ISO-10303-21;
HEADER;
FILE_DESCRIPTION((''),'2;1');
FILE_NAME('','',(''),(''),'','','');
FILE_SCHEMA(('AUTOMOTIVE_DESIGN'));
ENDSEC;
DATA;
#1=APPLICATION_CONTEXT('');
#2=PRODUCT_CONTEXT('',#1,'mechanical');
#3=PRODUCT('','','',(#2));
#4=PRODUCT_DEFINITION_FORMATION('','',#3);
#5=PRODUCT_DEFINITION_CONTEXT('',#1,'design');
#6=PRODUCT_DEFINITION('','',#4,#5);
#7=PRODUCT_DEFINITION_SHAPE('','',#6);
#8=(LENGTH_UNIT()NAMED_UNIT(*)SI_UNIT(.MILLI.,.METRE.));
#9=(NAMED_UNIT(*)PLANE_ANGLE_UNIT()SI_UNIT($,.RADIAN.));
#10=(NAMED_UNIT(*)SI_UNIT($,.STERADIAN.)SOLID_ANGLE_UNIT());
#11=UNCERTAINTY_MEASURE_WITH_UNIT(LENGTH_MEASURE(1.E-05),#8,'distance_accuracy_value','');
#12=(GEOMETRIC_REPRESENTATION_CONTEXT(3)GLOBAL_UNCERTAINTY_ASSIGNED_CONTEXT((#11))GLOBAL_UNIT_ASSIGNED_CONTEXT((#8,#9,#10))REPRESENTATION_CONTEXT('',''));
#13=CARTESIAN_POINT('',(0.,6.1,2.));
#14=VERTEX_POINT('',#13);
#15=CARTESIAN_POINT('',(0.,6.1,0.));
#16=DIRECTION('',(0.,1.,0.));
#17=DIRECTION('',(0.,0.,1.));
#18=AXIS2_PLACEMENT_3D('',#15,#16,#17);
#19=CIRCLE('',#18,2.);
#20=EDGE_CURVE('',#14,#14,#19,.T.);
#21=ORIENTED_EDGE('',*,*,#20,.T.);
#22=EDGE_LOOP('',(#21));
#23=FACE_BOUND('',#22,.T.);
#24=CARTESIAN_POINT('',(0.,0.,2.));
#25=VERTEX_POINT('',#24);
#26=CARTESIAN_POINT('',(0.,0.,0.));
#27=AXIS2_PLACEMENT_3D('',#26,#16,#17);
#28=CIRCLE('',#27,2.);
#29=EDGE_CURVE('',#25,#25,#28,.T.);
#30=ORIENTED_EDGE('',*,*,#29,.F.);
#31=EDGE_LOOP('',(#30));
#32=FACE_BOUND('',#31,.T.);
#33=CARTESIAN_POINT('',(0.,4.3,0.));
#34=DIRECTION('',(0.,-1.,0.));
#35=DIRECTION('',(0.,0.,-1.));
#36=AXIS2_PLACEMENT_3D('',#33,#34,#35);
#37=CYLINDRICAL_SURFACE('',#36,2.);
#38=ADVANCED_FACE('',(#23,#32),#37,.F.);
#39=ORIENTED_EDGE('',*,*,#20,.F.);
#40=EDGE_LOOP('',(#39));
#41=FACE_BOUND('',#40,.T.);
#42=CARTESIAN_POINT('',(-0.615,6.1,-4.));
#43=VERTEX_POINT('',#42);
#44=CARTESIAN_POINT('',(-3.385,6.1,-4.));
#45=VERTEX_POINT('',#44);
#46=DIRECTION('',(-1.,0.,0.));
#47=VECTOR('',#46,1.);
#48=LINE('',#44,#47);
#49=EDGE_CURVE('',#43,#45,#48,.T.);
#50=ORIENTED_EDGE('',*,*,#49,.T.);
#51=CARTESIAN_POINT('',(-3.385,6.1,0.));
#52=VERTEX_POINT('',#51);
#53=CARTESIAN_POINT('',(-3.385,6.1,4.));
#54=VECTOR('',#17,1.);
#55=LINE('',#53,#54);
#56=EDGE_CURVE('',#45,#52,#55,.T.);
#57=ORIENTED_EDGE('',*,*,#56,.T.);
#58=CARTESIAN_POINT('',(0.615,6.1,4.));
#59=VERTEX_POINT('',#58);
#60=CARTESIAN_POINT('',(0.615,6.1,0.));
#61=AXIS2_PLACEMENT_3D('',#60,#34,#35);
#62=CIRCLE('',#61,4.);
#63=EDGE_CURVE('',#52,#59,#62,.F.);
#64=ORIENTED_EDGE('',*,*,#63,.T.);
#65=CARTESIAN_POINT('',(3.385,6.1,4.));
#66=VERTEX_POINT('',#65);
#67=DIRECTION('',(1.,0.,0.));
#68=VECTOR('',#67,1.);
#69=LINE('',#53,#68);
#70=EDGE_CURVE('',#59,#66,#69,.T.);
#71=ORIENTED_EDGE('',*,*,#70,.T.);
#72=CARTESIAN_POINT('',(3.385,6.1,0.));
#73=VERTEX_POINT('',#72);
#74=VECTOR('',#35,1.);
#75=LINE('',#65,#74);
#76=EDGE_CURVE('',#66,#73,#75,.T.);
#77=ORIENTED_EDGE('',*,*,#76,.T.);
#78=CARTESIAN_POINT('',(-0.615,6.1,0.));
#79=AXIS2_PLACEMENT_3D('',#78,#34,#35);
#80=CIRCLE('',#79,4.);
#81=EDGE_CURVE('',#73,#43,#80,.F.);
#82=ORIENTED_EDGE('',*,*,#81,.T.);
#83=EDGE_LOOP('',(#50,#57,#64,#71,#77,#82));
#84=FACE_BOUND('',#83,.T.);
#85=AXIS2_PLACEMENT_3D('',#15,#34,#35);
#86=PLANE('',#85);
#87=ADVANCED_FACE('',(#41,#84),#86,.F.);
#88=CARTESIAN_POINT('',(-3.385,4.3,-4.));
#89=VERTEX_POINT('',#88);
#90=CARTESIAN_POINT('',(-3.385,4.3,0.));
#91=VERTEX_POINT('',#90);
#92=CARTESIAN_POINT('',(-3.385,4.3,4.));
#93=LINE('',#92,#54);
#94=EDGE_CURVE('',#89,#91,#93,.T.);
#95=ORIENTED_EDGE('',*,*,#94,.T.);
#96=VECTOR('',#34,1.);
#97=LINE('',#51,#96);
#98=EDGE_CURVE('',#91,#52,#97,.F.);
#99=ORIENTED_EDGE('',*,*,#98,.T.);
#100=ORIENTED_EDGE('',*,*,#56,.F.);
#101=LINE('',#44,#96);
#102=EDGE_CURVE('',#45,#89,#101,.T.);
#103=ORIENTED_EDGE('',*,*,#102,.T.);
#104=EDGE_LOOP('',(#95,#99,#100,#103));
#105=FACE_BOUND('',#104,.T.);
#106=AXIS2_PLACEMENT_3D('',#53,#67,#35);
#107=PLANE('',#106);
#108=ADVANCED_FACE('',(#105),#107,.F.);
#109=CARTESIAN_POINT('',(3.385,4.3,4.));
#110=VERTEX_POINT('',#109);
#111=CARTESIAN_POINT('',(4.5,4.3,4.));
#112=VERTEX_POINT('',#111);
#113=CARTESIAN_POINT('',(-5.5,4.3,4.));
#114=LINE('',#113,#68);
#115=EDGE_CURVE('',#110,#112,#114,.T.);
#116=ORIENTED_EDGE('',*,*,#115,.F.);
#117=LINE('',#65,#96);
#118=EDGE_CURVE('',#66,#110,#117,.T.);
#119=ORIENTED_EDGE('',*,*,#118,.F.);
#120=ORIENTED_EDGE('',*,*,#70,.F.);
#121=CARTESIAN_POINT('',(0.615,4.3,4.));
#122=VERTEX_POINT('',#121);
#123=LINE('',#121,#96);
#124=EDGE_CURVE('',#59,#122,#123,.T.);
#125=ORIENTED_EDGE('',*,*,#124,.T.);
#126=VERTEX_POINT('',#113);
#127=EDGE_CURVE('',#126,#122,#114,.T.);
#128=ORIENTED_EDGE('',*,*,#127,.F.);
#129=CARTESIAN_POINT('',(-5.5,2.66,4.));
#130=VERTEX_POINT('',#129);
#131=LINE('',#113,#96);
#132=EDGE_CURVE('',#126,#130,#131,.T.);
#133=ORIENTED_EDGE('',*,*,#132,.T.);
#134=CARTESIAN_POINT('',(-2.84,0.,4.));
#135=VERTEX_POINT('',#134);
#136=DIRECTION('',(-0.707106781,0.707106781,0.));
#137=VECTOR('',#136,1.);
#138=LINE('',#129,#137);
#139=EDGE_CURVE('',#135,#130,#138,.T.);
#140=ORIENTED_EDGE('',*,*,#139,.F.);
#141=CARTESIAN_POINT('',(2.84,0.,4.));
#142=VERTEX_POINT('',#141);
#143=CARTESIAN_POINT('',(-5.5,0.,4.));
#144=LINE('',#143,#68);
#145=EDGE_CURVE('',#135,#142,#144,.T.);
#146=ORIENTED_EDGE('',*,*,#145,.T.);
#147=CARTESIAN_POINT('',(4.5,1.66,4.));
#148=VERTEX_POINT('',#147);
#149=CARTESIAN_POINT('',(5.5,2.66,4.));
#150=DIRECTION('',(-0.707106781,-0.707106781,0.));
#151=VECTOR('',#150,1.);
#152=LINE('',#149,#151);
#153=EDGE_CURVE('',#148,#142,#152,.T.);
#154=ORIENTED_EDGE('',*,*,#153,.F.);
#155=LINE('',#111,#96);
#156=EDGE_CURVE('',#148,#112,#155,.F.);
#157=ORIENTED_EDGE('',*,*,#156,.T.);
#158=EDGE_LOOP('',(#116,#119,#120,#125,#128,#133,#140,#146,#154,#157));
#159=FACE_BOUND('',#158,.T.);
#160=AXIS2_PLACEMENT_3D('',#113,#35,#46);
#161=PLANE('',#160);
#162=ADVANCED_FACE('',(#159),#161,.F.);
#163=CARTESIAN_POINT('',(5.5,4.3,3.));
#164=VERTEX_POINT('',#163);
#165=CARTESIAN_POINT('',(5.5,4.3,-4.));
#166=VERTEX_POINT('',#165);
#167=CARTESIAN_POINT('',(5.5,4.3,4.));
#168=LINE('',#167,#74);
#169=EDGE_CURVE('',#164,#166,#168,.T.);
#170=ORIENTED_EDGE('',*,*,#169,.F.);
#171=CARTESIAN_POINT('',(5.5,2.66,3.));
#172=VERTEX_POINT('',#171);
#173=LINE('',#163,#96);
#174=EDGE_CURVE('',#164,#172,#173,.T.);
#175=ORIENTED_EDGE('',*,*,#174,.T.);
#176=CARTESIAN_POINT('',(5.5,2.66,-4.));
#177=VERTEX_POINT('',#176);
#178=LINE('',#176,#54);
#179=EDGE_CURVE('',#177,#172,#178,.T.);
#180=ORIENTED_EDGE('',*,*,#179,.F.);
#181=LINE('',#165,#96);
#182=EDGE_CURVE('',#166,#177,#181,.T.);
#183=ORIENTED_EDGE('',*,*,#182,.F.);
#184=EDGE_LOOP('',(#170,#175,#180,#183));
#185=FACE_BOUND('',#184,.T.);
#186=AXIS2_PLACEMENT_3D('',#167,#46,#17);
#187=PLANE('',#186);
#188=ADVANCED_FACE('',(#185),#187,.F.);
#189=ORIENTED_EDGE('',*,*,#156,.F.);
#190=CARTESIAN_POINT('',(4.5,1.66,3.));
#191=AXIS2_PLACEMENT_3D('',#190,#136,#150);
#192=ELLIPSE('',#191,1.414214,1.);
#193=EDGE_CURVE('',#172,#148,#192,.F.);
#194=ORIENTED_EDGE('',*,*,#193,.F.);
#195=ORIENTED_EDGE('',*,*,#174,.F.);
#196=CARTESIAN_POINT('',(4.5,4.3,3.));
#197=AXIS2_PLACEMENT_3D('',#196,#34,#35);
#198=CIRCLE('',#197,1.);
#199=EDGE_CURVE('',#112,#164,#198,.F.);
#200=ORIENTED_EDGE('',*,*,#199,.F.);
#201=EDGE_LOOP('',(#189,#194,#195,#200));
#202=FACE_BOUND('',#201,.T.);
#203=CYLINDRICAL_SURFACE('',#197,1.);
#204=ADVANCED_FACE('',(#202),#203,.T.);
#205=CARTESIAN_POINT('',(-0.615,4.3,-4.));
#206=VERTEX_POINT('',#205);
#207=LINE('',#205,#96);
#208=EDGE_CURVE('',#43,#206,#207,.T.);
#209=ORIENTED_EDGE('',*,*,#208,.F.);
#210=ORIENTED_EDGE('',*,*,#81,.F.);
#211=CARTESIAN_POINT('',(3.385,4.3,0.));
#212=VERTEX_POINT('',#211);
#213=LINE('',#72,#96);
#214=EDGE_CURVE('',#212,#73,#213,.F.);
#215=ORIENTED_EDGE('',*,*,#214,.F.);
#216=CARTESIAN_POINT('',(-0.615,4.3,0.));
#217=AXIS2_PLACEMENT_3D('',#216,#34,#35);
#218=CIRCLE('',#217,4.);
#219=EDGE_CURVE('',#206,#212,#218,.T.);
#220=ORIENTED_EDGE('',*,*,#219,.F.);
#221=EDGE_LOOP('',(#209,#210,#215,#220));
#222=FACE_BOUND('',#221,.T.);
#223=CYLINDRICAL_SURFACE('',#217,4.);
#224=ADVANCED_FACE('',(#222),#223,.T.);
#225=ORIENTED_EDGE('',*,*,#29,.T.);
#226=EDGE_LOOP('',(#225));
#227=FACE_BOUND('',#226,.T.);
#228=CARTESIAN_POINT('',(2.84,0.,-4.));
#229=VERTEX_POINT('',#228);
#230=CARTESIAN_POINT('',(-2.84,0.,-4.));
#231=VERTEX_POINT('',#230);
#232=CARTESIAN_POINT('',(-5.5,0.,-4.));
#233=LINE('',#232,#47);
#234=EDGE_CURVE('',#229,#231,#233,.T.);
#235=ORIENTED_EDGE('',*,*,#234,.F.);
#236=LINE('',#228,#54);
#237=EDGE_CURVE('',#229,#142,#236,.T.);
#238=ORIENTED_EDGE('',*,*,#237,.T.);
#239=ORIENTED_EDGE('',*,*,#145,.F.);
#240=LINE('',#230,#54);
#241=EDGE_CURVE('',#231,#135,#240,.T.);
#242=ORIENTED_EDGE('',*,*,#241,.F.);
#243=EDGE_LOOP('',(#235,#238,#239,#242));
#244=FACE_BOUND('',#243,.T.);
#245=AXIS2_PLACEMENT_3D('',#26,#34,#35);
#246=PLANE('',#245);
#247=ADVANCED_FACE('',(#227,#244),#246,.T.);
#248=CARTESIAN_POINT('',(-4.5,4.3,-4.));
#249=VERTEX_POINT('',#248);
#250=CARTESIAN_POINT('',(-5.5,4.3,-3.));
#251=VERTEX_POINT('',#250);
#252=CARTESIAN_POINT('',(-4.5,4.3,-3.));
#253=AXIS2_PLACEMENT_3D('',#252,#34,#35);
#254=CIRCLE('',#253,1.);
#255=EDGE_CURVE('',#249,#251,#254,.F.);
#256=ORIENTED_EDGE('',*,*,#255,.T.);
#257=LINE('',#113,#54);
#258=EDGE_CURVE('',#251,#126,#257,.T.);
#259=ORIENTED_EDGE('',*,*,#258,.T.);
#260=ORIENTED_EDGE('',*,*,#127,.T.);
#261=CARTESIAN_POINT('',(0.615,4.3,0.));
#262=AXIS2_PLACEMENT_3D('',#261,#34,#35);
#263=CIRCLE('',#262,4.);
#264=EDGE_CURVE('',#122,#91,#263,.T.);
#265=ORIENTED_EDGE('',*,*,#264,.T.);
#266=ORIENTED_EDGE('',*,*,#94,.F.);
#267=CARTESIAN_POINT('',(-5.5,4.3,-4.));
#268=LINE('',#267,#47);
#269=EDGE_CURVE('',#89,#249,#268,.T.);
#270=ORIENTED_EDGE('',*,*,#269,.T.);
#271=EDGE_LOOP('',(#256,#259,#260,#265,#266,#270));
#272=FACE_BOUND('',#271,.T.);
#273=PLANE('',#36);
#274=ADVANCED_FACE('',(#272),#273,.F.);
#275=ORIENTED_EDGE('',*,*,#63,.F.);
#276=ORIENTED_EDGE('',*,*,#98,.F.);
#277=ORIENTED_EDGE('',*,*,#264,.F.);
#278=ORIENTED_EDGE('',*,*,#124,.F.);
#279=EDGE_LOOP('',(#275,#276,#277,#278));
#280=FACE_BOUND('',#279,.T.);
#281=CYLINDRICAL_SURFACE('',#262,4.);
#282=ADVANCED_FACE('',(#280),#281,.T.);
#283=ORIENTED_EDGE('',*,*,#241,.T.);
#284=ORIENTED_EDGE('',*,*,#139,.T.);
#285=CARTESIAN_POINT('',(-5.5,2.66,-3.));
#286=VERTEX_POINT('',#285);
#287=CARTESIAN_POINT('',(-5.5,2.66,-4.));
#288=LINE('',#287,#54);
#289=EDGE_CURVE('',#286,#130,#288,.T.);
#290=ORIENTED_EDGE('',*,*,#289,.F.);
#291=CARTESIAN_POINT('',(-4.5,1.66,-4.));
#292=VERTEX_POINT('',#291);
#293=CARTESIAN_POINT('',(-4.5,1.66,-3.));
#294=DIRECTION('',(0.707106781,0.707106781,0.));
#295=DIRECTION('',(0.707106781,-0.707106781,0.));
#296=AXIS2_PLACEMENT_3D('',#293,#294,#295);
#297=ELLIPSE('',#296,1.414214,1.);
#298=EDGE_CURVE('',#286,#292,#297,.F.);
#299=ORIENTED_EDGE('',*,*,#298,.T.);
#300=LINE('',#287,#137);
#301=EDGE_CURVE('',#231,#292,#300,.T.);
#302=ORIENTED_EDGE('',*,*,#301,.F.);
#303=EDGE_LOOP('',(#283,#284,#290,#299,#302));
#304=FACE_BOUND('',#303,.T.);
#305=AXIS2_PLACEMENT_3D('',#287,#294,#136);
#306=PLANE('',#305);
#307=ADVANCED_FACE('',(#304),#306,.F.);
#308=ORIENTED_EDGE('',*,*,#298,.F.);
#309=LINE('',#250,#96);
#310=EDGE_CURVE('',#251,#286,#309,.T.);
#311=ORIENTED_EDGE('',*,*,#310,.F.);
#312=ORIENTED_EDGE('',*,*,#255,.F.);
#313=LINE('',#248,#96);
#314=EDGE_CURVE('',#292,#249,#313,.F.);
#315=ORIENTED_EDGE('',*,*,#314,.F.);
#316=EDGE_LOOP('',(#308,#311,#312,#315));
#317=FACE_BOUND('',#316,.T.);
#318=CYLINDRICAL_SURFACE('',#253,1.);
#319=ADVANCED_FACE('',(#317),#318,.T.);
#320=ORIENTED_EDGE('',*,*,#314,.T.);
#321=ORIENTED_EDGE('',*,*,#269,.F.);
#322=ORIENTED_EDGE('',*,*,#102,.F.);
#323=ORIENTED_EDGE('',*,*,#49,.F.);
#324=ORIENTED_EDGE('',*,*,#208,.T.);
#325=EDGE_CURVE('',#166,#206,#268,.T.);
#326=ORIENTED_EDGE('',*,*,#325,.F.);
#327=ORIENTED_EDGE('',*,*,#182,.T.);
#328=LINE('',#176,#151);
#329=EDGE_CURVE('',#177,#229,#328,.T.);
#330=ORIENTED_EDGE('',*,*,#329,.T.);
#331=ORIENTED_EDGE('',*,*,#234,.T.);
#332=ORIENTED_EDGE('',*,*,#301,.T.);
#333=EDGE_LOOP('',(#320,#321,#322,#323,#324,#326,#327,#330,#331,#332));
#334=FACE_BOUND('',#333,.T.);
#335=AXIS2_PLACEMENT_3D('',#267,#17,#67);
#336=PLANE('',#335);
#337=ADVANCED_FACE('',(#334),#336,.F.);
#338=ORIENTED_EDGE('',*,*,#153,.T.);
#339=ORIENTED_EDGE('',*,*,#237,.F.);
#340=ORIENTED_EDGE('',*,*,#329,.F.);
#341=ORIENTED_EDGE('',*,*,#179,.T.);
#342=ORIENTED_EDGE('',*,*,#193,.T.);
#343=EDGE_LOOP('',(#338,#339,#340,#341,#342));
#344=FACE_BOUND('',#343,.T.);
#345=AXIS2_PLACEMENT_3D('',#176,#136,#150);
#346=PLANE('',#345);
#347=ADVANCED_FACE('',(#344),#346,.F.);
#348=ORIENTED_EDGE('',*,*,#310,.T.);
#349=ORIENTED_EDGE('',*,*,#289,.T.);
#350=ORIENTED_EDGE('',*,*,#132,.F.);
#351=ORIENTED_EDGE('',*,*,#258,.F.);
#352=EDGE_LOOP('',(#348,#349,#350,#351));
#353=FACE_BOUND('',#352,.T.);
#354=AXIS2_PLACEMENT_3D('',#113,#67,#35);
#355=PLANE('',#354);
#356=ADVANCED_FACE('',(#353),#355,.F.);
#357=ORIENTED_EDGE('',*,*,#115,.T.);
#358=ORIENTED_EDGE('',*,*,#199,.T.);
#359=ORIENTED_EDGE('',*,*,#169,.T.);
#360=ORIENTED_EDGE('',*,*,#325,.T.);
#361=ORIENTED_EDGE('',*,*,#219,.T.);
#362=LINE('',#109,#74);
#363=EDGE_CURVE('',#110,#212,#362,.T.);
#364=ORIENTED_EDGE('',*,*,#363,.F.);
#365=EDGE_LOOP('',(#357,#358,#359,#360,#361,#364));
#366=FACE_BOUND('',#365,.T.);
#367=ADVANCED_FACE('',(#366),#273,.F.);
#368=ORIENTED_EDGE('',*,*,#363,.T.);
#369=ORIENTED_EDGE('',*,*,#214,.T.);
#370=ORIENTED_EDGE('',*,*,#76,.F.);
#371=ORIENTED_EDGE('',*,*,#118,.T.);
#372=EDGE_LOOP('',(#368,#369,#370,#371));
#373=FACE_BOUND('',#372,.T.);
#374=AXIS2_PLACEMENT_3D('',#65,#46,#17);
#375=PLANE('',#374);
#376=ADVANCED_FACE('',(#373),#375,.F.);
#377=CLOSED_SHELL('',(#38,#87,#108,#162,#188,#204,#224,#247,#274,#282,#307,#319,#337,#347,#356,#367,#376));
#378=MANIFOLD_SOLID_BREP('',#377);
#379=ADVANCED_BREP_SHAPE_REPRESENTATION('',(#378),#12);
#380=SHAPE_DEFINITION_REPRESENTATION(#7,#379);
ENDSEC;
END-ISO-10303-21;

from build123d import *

# Parameters (mm, degrees)
SKETCH1_W           = 11
SKETCH1_H           = 8
SKETCH1_R           = 2
BOSS_EXTRUDE1_DEPTH = 4.3
CUT_EXTRUDE1_DEPTH  = 9
SKETCH3_W           = 6.77
SKETCH3_H           = 8
SKETCH3_R           = 2
BOSS_EXTRUDE2_DEPTH = 1.8
FILLET1_R           = 4
FILLET2_R           = 1


with BuildPart() as part:
    # Sketch1 → Boss-Extrude1 (new body)
    with BuildSketch(Plane(origin=(0, 0, 0), x_dir=(1, 0, 0), z_dir=(0, 1, 0))):
        Rectangle(SKETCH1_W, SKETCH1_H)
        Circle(SKETCH1_R, mode=Mode.SUBTRACT)
    extrude(amount=BOSS_EXTRUDE1_DEPTH)

    # Sketch2 → Cut-Extrude1 (cut, through all)
    with BuildSketch(Plane.XY.offset(4)):
        Polygon((-5.5, 2.66), (-2.84, 0), (-5.5, 0), align=None)
        Polygon((5.5, 2.66), (5.5, 0), (2.84, 0), align=None)
    extrude(amount=-CUT_EXTRUDE1_DEPTH, mode=Mode.SUBTRACT)

    # Sketch3 → Boss-Extrude2 (add)
    with BuildSketch(Plane(origin=(0, 4.3, 0), x_dir=(1, 0, 0), z_dir=(0, 1, 0))):
        Rectangle(SKETCH3_W, SKETCH3_H)
        Circle(SKETCH3_R, mode=Mode.SUBTRACT)
    extrude(amount=BOSS_EXTRUDE2_DEPTH)

    # Fillet1
    fillet1_edges = [part.edges().sort_by_distance(p)[0] for p in [
        (3.385, 5.2, -4),
        (-3.385, 5.2, 4),
    ]]
    fillet(fillet1_edges, radius=FILLET1_R)

    # Fillet2
    fillet2_edges = [part.edges().sort_by_distance(p)[0] for p in [
        (5.5, 3.48, 4),
        (-5.5, 3.48, -4),
    ]]
    fillet(fillet2_edges, radius=FILLET2_R)


solid = part.part
